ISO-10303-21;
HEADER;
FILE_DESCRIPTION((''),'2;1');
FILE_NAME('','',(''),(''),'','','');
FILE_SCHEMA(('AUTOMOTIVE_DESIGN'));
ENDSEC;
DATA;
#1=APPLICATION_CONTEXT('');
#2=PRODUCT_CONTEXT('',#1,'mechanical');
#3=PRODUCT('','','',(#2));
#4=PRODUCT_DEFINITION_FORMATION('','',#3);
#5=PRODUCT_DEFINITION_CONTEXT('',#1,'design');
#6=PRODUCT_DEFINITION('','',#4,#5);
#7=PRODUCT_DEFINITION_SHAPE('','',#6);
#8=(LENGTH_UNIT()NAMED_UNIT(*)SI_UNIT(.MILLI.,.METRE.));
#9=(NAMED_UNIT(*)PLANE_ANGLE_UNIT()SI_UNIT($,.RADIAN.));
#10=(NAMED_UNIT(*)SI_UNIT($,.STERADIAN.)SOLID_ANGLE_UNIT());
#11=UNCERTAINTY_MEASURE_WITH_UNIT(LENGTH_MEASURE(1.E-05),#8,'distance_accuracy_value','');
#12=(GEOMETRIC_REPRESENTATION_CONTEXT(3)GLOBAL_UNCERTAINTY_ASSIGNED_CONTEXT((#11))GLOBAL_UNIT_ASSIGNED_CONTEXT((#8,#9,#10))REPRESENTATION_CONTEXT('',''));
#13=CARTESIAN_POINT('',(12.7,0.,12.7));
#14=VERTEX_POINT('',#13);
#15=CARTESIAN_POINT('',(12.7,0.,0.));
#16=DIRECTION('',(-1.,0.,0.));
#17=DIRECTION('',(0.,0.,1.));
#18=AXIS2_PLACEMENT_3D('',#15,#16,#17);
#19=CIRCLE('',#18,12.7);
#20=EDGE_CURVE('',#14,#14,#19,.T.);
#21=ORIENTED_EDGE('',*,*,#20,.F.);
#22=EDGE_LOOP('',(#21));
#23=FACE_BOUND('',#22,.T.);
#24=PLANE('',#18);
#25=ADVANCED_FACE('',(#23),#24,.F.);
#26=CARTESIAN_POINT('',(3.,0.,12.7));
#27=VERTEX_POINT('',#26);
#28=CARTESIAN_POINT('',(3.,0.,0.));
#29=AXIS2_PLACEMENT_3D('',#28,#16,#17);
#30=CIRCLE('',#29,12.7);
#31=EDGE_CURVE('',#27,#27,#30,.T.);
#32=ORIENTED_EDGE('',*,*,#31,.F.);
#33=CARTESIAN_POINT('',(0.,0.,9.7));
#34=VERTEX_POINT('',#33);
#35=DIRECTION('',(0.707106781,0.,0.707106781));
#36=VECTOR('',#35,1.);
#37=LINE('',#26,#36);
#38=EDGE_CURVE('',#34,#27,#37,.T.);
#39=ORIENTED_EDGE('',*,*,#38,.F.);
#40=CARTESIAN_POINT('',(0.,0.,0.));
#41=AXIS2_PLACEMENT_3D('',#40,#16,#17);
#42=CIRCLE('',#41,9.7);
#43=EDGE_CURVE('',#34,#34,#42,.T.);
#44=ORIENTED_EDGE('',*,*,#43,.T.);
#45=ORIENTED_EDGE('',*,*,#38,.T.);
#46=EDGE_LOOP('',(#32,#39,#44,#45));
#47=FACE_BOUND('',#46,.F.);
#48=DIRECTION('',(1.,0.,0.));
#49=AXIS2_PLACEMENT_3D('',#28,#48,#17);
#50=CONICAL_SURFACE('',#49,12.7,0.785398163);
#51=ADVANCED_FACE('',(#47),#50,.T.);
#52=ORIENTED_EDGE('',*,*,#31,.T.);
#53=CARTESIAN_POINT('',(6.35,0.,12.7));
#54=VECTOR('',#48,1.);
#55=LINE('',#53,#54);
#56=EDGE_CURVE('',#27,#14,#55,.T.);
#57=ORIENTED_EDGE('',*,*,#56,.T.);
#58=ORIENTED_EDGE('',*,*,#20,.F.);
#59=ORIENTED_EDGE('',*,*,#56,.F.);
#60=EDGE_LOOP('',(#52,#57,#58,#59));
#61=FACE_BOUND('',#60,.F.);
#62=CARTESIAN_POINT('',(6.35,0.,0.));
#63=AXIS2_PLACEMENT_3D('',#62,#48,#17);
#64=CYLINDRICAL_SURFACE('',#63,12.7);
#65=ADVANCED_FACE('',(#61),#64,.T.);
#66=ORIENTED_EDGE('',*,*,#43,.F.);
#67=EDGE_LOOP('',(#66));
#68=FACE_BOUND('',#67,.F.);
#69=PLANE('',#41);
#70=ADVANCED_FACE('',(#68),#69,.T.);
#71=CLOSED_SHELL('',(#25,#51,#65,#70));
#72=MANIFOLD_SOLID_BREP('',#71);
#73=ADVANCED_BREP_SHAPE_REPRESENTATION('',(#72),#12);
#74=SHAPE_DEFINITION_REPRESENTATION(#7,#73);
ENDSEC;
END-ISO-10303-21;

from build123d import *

# Parameters (mm, degrees)
F0_W    = 12.7
F0_H    = 12.7
F2_SIZE = 3


with BuildPart() as f1:
    # F0 (on Front) → F1 (revolve)
    with BuildSketch(Plane.XZ):
        with Locations((6.35, 6.35)):
            Rectangle(F0_W, F0_H)
    revolve(axis=Axis((6.35, 0, 0), (-1, 0, 0)))

    # F2
    f2_edges = [f1.edges().sort_by_distance(p)[0] for p in [
        (0, 0, -12.7),
    ]]
    chamfer(f2_edges, length=F2_SIZE)


solid = f1.part
